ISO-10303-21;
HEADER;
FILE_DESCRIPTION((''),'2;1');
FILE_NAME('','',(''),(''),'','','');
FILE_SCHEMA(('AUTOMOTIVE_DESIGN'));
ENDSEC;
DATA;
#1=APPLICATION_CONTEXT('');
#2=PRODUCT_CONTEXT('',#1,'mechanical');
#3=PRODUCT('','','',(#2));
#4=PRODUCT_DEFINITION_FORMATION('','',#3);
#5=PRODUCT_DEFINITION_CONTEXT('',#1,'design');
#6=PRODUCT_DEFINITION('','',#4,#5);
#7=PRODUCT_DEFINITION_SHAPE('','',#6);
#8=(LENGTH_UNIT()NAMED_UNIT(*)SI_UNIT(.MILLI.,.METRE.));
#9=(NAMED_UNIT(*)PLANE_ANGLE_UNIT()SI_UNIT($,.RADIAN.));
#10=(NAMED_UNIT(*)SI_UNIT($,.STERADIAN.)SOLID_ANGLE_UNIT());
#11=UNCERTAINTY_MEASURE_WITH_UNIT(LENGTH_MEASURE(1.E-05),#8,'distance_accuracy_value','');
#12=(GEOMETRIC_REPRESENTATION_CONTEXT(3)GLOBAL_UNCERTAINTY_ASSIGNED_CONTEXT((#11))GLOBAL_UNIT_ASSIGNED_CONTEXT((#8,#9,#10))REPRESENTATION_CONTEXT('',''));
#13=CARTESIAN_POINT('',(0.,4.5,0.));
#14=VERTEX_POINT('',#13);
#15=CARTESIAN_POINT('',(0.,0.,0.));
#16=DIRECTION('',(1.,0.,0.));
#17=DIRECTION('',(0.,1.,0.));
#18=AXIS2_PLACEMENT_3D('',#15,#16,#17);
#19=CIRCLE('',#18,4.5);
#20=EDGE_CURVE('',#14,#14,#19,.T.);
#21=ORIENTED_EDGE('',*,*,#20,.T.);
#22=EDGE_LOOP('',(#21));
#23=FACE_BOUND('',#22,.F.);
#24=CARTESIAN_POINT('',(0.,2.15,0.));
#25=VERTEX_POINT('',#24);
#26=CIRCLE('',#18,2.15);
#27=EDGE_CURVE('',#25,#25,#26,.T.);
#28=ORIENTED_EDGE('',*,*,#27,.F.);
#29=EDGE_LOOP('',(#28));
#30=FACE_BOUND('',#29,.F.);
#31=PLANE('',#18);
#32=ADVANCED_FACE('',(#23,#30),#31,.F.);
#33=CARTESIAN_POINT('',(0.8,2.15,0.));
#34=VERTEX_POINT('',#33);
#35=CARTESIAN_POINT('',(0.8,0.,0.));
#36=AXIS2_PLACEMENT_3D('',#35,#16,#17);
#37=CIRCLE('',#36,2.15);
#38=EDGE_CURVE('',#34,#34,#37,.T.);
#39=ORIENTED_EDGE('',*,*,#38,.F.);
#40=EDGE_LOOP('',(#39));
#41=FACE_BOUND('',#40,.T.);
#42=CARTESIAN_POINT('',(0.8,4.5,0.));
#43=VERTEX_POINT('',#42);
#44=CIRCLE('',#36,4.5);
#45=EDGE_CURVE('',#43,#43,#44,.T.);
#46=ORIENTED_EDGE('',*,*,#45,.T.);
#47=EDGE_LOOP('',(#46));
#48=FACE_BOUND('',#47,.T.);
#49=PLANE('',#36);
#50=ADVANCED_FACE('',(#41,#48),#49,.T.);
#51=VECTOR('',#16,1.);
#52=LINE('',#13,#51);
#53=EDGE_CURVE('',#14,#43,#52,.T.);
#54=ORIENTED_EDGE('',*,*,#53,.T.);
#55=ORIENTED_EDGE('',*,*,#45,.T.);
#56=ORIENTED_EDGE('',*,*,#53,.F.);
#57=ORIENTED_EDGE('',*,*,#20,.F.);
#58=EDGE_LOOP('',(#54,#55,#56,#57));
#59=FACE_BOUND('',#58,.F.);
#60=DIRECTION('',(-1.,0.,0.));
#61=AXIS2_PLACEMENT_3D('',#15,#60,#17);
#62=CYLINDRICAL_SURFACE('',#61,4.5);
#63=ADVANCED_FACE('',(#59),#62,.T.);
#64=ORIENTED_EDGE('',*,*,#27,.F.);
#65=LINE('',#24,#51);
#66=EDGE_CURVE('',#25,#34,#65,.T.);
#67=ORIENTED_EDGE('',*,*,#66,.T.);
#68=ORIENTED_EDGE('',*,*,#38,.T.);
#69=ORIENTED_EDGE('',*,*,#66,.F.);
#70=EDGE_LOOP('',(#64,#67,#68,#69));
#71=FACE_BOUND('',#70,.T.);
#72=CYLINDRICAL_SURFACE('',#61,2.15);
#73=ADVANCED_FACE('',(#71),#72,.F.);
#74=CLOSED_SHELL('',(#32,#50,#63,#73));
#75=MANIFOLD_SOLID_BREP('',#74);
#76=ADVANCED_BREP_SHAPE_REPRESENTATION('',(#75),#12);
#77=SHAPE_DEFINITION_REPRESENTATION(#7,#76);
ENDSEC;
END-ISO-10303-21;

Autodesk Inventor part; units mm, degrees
ref_plane "YZ Plane" through (0, 0, 0) normal (1, 0, 0) x (0, 1, 0)
ref_plane "XZ Plane" through (0, 0, 0) normal (0, 1, 0) x (-1, 0, 0)
sketch "Эскиз" plane through (0, 0, 0) normal (1, 0, 0) x (0, 1, 0)
  circle A0 centre (0, 0) radius 4.5
  circle A1 centre (0, 0) radius 2.15
  dimension "d0" = 4.3
  dimension "d1" = 9
extrude "Базовый элемент" add sketch "Эскиз" along normal blind 0.8
ref_plane "Work Plane1" through (0, 0, 0) normal (0, 0, 1) x (1, 0, 0)
equation "\"d0\" = SD1"
equation "\"d1\" = SD2"
equation "\"d2\" = SD"
equation "\"SD1\" = 4.3"
equation "\"SD2\" = 9"
equation "\"SD\" = 0.8"
equation "\"NND\" = 4"
properties part number "DIN 125 - A 4,3" material "Сталь, мягкая"
